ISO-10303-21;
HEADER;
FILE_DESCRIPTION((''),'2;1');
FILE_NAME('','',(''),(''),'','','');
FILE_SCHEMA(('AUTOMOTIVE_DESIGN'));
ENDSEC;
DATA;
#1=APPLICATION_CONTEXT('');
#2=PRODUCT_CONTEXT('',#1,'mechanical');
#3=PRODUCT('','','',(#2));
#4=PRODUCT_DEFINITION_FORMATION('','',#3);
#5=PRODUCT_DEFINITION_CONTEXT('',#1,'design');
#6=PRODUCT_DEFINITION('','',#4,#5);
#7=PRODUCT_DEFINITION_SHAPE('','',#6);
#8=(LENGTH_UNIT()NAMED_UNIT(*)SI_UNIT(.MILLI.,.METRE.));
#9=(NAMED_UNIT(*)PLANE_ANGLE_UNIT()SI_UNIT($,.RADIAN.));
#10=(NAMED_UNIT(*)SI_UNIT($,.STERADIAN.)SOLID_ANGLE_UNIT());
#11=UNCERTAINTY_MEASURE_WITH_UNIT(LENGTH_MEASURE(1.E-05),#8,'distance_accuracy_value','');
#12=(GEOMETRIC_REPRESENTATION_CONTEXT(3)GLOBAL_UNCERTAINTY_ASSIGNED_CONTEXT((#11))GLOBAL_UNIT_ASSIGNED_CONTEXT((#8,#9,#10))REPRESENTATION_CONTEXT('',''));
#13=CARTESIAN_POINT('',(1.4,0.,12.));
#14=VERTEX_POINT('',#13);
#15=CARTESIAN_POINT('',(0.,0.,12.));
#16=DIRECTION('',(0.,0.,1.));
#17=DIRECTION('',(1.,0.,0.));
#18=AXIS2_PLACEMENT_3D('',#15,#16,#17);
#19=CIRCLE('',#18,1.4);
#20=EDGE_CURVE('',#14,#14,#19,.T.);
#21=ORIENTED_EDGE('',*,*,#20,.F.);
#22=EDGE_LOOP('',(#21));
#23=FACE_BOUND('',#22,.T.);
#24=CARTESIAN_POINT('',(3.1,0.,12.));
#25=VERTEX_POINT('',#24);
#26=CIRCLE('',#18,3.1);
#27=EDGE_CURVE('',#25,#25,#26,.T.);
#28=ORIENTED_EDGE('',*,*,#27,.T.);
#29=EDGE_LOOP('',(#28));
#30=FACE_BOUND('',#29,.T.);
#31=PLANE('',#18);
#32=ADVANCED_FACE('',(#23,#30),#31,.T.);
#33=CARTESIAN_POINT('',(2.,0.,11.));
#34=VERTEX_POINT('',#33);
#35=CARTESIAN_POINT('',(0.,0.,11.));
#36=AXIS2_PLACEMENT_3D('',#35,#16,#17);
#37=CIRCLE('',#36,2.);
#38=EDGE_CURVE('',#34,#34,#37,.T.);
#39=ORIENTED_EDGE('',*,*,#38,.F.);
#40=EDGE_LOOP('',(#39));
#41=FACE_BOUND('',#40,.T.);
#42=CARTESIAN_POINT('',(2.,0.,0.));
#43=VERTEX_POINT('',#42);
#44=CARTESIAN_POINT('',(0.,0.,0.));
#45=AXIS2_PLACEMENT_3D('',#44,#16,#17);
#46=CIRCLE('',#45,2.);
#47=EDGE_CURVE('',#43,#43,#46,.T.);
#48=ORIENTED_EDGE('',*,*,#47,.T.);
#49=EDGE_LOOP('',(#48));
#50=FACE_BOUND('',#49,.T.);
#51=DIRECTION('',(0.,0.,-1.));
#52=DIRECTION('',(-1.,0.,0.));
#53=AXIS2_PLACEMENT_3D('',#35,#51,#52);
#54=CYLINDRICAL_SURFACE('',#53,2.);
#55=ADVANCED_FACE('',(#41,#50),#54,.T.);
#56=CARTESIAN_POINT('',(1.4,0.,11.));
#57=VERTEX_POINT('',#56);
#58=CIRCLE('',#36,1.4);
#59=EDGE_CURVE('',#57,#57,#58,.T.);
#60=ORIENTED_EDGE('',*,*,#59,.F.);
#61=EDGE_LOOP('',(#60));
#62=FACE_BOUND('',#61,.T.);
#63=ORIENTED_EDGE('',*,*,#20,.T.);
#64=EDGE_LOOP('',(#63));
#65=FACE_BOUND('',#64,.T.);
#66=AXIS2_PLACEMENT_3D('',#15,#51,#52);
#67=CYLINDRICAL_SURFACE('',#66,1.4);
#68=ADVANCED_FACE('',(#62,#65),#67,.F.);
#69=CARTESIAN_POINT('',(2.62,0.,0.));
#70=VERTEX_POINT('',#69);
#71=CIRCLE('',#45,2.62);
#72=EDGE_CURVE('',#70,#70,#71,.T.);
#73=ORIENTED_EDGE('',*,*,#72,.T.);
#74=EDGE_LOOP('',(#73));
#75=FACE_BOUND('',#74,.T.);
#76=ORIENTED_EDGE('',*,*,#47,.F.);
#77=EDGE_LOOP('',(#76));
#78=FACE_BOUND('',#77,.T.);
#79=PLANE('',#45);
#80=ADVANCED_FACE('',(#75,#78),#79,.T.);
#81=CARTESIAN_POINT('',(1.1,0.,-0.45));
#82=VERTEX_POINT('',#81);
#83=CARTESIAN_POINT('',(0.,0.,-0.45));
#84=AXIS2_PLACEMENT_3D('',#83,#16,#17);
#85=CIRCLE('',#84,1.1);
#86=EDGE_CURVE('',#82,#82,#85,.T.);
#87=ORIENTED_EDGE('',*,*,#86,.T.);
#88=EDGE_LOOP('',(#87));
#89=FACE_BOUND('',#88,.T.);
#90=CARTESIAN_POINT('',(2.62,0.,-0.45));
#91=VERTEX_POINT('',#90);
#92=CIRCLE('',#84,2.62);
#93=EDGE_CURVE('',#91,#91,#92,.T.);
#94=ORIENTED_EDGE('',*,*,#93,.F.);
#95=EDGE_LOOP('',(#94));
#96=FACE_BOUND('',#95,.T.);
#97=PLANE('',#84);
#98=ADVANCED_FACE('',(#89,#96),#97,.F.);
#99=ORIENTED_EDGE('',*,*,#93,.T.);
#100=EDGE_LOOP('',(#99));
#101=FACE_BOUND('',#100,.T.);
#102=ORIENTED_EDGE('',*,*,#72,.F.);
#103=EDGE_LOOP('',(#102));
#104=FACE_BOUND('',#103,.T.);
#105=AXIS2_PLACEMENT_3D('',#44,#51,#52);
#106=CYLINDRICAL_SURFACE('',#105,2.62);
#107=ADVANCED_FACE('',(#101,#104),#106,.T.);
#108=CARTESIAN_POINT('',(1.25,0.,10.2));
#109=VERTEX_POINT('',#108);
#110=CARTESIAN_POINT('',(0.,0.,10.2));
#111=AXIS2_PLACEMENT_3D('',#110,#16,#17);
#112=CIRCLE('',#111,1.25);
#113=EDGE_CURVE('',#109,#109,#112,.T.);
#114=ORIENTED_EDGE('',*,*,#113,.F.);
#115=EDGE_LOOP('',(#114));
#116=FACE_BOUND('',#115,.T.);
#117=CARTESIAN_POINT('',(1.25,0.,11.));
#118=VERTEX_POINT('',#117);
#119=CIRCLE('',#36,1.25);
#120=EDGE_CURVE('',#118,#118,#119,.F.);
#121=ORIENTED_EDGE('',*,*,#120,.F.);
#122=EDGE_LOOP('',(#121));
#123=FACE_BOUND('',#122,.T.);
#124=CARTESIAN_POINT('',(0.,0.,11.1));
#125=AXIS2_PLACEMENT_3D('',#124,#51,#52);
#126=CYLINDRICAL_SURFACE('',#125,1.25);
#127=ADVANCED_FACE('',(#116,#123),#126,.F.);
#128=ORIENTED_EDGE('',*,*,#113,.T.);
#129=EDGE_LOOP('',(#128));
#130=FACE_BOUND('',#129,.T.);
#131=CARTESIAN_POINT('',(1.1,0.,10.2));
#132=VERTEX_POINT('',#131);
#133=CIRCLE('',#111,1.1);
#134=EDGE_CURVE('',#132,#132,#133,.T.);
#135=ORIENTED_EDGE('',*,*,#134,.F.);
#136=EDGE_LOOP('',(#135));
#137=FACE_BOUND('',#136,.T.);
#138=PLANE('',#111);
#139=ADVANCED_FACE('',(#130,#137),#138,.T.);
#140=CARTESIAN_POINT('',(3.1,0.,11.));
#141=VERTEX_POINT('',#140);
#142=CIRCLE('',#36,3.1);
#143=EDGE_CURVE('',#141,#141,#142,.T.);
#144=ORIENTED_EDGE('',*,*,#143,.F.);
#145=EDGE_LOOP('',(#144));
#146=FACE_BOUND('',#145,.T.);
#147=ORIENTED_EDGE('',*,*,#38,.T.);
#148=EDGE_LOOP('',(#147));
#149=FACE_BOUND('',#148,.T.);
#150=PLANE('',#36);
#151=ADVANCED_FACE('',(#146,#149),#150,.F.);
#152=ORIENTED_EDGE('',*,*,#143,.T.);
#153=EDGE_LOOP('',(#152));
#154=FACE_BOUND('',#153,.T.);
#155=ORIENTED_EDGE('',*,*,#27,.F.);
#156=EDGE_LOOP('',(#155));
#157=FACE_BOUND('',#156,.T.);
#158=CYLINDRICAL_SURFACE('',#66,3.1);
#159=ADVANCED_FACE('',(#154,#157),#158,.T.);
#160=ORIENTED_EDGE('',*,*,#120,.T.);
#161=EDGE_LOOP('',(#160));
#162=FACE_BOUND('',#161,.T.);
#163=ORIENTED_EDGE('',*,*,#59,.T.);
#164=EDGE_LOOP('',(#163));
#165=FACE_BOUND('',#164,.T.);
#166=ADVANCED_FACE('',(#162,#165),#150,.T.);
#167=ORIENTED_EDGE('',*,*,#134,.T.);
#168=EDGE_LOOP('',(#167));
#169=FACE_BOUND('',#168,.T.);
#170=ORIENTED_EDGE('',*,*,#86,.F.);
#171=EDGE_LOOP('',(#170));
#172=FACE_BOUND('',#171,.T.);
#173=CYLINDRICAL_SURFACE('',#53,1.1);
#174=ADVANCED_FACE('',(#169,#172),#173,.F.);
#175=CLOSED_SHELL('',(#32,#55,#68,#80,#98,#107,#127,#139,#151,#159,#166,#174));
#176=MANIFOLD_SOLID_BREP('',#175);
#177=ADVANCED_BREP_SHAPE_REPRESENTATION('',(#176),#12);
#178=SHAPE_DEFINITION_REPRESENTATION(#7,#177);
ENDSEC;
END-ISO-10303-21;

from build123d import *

# Parameters (mm, degrees)
S01_CORD_EYE_LINER_R                 = 2
S01_CORD_EYE_LINER_R_2               = 1.1
F_01_CORD_EYE_LINER_DEPTH            = 11
F_02_START                           = -0.45
S02_SWAGED_REAR_RETENTION_LIP_R      = 2.62
S02_SWAGED_REAR_RETENTION_LIP_R_2    = 1.1
F_02_SWAGED_REAR_RETENTION_LIP_DEPTH = 0.45
F_03_START                           = 11
S03_MOUTH_FLANGE_R                   = 3.1
S03_MOUTH_FLANGE_R_2                 = 1.4
F_03_MOUTH_FLANGE_DEPTH              = 1
F_04_START                           = 10.2
S04_INLET_RELIEF_R                   = 1.25
F_04_INLET_RELIEF_DEPTH              = 0.9


with BuildPart() as part:
    # S01 - Cord eye liner → 01 - Cord eye liner (new body)
    with BuildSketch(Plane.XY):
        Circle(S01_CORD_EYE_LINER_R)
        Circle(S01_CORD_EYE_LINER_R_2, mode=Mode.SUBTRACT)
    extrude(amount=F_01_CORD_EYE_LINER_DEPTH)

    # S02 - Swaged rear retention lip → 02 - Swaged rear retention lip (add)
    with BuildSketch(Plane.XY.offset(F_02_START)):
        Circle(S02_SWAGED_REAR_RETENTION_LIP_R)
        Circle(S02_SWAGED_REAR_RETENTION_LIP_R_2, mode=Mode.SUBTRACT)
    extrude(amount=F_02_SWAGED_REAR_RETENTION_LIP_DEPTH)

    # S03 - Mouth flange → 03 - Mouth flange (add)
    with BuildSketch(Plane.XY.offset(F_03_START)):
        Circle(S03_MOUTH_FLANGE_R)
        Circle(S03_MOUTH_FLANGE_R_2, mode=Mode.SUBTRACT)
    extrude(amount=F_03_MOUTH_FLANGE_DEPTH)

    # S04 - Inlet relief → 04 - Inlet relief (cut)
    with BuildSketch(Plane.XY.offset(F_04_START)):
        Circle(S04_INLET_RELIEF_R)
    extrude(amount=F_04_INLET_RELIEF_DEPTH, mode=Mode.SUBTRACT)


solid = part.part
